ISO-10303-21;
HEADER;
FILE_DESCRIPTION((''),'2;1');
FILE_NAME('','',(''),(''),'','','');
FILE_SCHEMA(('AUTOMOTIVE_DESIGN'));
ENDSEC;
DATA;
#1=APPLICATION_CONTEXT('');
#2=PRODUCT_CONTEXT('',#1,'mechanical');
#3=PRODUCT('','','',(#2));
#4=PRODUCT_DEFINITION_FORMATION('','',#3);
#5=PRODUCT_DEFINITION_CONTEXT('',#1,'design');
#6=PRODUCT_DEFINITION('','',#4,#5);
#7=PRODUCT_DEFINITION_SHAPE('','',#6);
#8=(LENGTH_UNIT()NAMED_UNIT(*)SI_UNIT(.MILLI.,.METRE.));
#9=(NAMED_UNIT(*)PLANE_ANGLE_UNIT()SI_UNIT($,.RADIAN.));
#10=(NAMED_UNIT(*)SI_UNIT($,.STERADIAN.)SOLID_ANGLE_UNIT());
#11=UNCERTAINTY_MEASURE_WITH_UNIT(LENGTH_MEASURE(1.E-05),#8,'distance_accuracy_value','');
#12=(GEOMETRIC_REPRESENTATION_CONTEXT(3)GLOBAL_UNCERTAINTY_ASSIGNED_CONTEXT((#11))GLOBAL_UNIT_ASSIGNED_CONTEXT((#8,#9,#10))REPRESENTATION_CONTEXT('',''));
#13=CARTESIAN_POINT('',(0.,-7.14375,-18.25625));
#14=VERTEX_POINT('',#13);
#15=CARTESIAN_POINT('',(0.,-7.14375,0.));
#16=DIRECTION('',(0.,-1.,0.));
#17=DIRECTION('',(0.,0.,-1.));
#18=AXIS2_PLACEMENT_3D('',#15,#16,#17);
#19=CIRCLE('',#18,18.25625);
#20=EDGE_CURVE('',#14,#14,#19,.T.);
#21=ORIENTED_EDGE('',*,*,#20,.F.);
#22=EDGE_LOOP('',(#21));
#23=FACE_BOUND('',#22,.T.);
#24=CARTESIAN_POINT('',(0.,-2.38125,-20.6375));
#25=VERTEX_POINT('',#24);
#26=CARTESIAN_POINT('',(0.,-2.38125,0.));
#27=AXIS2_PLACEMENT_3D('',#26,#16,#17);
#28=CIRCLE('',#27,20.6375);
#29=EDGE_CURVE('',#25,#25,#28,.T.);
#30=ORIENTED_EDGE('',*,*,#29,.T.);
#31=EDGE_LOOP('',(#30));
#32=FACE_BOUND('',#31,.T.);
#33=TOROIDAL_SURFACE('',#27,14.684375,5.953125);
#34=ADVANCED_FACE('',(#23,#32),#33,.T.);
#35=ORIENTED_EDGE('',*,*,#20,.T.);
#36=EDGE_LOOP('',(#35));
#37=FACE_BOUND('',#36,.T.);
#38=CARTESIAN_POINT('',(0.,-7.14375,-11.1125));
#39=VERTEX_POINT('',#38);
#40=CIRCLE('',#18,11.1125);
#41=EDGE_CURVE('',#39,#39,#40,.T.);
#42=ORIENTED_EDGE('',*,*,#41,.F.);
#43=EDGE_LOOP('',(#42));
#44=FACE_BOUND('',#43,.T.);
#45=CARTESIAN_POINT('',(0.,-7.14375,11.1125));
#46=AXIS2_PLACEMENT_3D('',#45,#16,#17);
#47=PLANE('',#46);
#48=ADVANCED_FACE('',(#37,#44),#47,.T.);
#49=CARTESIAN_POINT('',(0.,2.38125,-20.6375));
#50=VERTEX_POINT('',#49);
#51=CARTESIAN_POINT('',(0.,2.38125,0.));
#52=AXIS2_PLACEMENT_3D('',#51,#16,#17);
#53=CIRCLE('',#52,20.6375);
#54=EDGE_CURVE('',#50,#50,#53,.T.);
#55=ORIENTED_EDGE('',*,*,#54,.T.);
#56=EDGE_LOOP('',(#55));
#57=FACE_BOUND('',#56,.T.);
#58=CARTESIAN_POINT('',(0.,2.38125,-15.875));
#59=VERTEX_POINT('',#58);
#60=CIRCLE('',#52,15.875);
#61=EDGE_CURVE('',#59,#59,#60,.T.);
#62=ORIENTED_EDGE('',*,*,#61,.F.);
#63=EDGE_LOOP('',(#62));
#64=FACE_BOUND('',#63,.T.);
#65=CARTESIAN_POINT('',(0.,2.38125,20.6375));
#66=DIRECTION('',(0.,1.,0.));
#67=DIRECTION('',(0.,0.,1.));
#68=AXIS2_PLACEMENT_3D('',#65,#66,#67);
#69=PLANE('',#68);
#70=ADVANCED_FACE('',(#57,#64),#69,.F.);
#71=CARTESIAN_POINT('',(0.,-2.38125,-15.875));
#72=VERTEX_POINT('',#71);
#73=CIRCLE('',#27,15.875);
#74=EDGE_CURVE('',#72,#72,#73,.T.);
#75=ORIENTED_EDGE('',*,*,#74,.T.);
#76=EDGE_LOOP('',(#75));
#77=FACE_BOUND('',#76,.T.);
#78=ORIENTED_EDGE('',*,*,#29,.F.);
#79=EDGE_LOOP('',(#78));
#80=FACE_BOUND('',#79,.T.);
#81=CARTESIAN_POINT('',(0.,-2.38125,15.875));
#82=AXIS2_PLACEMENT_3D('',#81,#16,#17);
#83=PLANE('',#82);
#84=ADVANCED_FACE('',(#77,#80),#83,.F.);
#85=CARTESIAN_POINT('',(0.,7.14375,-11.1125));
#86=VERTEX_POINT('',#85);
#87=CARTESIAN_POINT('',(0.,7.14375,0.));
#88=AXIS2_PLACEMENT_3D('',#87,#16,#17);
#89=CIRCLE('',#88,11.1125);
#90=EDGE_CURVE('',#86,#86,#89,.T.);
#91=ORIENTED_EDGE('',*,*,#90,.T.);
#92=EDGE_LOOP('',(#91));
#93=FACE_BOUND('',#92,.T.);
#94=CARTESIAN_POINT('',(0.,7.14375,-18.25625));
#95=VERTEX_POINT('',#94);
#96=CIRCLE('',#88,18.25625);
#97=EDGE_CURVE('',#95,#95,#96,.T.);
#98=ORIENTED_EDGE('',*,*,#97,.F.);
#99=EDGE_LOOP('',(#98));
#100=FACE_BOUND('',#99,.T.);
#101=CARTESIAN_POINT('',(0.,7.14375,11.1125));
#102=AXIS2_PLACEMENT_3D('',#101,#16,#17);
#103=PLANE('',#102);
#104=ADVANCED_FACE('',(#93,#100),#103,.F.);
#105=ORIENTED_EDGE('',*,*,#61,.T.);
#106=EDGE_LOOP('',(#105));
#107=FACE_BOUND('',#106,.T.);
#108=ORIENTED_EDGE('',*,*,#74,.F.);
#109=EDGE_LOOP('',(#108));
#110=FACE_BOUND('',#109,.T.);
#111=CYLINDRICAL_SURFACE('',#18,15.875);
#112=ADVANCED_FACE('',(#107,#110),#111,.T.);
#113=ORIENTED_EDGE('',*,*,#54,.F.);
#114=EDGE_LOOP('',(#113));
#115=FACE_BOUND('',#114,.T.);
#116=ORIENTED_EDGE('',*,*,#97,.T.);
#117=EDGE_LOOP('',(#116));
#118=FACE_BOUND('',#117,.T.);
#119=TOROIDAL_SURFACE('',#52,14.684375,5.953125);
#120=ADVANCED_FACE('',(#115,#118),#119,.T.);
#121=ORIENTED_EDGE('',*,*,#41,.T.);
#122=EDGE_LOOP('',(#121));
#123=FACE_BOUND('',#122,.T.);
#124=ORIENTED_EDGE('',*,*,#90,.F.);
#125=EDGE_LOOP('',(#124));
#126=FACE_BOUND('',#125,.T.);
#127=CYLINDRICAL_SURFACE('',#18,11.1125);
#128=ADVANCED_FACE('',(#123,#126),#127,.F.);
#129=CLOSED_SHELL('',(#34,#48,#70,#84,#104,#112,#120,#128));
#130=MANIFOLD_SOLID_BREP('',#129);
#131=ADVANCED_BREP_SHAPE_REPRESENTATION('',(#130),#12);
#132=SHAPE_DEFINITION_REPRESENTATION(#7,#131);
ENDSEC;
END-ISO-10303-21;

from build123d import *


with BuildPart() as part:
    # Sketch2 → Revolve1 (revolve)
    with BuildSketch(Plane(origin=(0, 0, 0), x_dir=(0, 0, -1), z_dir=(1, 0, 0)), mode=Mode.PRIVATE) as revolve1_sk:
        with BuildLine():
            Line((-11.1125, -7.14375), (-11.1125, 7.14375))
            Line((-11.1125, 7.14375), (-18.25625, 7.14375))
            ThreePointArc((-18.25625, 7.14375), (-20.009011871, 5.043568436), (-20.6375, 2.38125))
            Line((-20.6375, 2.38125), (-15.875, 2.38125))
            Line((-15.875, 2.38125), (-15.875, -2.38125))
            Line((-15.875, -2.38125), (-20.6375, -2.38125))
            ThreePointArc((-20.6375, -2.38125), (-20.009011871, -5.043568436), (-18.25625, -7.14375))
            Line((-18.25625, -7.14375), (-11.1125, -7.14375))
        make_face()
    revolve(revolve1_sk.sketch.rotate(Axis((0, -7.14375, 0), (0, 1, 0)), 180), axis=Axis((0, -7.14375, 0), (0, 1, 0)))


solid = part.part
